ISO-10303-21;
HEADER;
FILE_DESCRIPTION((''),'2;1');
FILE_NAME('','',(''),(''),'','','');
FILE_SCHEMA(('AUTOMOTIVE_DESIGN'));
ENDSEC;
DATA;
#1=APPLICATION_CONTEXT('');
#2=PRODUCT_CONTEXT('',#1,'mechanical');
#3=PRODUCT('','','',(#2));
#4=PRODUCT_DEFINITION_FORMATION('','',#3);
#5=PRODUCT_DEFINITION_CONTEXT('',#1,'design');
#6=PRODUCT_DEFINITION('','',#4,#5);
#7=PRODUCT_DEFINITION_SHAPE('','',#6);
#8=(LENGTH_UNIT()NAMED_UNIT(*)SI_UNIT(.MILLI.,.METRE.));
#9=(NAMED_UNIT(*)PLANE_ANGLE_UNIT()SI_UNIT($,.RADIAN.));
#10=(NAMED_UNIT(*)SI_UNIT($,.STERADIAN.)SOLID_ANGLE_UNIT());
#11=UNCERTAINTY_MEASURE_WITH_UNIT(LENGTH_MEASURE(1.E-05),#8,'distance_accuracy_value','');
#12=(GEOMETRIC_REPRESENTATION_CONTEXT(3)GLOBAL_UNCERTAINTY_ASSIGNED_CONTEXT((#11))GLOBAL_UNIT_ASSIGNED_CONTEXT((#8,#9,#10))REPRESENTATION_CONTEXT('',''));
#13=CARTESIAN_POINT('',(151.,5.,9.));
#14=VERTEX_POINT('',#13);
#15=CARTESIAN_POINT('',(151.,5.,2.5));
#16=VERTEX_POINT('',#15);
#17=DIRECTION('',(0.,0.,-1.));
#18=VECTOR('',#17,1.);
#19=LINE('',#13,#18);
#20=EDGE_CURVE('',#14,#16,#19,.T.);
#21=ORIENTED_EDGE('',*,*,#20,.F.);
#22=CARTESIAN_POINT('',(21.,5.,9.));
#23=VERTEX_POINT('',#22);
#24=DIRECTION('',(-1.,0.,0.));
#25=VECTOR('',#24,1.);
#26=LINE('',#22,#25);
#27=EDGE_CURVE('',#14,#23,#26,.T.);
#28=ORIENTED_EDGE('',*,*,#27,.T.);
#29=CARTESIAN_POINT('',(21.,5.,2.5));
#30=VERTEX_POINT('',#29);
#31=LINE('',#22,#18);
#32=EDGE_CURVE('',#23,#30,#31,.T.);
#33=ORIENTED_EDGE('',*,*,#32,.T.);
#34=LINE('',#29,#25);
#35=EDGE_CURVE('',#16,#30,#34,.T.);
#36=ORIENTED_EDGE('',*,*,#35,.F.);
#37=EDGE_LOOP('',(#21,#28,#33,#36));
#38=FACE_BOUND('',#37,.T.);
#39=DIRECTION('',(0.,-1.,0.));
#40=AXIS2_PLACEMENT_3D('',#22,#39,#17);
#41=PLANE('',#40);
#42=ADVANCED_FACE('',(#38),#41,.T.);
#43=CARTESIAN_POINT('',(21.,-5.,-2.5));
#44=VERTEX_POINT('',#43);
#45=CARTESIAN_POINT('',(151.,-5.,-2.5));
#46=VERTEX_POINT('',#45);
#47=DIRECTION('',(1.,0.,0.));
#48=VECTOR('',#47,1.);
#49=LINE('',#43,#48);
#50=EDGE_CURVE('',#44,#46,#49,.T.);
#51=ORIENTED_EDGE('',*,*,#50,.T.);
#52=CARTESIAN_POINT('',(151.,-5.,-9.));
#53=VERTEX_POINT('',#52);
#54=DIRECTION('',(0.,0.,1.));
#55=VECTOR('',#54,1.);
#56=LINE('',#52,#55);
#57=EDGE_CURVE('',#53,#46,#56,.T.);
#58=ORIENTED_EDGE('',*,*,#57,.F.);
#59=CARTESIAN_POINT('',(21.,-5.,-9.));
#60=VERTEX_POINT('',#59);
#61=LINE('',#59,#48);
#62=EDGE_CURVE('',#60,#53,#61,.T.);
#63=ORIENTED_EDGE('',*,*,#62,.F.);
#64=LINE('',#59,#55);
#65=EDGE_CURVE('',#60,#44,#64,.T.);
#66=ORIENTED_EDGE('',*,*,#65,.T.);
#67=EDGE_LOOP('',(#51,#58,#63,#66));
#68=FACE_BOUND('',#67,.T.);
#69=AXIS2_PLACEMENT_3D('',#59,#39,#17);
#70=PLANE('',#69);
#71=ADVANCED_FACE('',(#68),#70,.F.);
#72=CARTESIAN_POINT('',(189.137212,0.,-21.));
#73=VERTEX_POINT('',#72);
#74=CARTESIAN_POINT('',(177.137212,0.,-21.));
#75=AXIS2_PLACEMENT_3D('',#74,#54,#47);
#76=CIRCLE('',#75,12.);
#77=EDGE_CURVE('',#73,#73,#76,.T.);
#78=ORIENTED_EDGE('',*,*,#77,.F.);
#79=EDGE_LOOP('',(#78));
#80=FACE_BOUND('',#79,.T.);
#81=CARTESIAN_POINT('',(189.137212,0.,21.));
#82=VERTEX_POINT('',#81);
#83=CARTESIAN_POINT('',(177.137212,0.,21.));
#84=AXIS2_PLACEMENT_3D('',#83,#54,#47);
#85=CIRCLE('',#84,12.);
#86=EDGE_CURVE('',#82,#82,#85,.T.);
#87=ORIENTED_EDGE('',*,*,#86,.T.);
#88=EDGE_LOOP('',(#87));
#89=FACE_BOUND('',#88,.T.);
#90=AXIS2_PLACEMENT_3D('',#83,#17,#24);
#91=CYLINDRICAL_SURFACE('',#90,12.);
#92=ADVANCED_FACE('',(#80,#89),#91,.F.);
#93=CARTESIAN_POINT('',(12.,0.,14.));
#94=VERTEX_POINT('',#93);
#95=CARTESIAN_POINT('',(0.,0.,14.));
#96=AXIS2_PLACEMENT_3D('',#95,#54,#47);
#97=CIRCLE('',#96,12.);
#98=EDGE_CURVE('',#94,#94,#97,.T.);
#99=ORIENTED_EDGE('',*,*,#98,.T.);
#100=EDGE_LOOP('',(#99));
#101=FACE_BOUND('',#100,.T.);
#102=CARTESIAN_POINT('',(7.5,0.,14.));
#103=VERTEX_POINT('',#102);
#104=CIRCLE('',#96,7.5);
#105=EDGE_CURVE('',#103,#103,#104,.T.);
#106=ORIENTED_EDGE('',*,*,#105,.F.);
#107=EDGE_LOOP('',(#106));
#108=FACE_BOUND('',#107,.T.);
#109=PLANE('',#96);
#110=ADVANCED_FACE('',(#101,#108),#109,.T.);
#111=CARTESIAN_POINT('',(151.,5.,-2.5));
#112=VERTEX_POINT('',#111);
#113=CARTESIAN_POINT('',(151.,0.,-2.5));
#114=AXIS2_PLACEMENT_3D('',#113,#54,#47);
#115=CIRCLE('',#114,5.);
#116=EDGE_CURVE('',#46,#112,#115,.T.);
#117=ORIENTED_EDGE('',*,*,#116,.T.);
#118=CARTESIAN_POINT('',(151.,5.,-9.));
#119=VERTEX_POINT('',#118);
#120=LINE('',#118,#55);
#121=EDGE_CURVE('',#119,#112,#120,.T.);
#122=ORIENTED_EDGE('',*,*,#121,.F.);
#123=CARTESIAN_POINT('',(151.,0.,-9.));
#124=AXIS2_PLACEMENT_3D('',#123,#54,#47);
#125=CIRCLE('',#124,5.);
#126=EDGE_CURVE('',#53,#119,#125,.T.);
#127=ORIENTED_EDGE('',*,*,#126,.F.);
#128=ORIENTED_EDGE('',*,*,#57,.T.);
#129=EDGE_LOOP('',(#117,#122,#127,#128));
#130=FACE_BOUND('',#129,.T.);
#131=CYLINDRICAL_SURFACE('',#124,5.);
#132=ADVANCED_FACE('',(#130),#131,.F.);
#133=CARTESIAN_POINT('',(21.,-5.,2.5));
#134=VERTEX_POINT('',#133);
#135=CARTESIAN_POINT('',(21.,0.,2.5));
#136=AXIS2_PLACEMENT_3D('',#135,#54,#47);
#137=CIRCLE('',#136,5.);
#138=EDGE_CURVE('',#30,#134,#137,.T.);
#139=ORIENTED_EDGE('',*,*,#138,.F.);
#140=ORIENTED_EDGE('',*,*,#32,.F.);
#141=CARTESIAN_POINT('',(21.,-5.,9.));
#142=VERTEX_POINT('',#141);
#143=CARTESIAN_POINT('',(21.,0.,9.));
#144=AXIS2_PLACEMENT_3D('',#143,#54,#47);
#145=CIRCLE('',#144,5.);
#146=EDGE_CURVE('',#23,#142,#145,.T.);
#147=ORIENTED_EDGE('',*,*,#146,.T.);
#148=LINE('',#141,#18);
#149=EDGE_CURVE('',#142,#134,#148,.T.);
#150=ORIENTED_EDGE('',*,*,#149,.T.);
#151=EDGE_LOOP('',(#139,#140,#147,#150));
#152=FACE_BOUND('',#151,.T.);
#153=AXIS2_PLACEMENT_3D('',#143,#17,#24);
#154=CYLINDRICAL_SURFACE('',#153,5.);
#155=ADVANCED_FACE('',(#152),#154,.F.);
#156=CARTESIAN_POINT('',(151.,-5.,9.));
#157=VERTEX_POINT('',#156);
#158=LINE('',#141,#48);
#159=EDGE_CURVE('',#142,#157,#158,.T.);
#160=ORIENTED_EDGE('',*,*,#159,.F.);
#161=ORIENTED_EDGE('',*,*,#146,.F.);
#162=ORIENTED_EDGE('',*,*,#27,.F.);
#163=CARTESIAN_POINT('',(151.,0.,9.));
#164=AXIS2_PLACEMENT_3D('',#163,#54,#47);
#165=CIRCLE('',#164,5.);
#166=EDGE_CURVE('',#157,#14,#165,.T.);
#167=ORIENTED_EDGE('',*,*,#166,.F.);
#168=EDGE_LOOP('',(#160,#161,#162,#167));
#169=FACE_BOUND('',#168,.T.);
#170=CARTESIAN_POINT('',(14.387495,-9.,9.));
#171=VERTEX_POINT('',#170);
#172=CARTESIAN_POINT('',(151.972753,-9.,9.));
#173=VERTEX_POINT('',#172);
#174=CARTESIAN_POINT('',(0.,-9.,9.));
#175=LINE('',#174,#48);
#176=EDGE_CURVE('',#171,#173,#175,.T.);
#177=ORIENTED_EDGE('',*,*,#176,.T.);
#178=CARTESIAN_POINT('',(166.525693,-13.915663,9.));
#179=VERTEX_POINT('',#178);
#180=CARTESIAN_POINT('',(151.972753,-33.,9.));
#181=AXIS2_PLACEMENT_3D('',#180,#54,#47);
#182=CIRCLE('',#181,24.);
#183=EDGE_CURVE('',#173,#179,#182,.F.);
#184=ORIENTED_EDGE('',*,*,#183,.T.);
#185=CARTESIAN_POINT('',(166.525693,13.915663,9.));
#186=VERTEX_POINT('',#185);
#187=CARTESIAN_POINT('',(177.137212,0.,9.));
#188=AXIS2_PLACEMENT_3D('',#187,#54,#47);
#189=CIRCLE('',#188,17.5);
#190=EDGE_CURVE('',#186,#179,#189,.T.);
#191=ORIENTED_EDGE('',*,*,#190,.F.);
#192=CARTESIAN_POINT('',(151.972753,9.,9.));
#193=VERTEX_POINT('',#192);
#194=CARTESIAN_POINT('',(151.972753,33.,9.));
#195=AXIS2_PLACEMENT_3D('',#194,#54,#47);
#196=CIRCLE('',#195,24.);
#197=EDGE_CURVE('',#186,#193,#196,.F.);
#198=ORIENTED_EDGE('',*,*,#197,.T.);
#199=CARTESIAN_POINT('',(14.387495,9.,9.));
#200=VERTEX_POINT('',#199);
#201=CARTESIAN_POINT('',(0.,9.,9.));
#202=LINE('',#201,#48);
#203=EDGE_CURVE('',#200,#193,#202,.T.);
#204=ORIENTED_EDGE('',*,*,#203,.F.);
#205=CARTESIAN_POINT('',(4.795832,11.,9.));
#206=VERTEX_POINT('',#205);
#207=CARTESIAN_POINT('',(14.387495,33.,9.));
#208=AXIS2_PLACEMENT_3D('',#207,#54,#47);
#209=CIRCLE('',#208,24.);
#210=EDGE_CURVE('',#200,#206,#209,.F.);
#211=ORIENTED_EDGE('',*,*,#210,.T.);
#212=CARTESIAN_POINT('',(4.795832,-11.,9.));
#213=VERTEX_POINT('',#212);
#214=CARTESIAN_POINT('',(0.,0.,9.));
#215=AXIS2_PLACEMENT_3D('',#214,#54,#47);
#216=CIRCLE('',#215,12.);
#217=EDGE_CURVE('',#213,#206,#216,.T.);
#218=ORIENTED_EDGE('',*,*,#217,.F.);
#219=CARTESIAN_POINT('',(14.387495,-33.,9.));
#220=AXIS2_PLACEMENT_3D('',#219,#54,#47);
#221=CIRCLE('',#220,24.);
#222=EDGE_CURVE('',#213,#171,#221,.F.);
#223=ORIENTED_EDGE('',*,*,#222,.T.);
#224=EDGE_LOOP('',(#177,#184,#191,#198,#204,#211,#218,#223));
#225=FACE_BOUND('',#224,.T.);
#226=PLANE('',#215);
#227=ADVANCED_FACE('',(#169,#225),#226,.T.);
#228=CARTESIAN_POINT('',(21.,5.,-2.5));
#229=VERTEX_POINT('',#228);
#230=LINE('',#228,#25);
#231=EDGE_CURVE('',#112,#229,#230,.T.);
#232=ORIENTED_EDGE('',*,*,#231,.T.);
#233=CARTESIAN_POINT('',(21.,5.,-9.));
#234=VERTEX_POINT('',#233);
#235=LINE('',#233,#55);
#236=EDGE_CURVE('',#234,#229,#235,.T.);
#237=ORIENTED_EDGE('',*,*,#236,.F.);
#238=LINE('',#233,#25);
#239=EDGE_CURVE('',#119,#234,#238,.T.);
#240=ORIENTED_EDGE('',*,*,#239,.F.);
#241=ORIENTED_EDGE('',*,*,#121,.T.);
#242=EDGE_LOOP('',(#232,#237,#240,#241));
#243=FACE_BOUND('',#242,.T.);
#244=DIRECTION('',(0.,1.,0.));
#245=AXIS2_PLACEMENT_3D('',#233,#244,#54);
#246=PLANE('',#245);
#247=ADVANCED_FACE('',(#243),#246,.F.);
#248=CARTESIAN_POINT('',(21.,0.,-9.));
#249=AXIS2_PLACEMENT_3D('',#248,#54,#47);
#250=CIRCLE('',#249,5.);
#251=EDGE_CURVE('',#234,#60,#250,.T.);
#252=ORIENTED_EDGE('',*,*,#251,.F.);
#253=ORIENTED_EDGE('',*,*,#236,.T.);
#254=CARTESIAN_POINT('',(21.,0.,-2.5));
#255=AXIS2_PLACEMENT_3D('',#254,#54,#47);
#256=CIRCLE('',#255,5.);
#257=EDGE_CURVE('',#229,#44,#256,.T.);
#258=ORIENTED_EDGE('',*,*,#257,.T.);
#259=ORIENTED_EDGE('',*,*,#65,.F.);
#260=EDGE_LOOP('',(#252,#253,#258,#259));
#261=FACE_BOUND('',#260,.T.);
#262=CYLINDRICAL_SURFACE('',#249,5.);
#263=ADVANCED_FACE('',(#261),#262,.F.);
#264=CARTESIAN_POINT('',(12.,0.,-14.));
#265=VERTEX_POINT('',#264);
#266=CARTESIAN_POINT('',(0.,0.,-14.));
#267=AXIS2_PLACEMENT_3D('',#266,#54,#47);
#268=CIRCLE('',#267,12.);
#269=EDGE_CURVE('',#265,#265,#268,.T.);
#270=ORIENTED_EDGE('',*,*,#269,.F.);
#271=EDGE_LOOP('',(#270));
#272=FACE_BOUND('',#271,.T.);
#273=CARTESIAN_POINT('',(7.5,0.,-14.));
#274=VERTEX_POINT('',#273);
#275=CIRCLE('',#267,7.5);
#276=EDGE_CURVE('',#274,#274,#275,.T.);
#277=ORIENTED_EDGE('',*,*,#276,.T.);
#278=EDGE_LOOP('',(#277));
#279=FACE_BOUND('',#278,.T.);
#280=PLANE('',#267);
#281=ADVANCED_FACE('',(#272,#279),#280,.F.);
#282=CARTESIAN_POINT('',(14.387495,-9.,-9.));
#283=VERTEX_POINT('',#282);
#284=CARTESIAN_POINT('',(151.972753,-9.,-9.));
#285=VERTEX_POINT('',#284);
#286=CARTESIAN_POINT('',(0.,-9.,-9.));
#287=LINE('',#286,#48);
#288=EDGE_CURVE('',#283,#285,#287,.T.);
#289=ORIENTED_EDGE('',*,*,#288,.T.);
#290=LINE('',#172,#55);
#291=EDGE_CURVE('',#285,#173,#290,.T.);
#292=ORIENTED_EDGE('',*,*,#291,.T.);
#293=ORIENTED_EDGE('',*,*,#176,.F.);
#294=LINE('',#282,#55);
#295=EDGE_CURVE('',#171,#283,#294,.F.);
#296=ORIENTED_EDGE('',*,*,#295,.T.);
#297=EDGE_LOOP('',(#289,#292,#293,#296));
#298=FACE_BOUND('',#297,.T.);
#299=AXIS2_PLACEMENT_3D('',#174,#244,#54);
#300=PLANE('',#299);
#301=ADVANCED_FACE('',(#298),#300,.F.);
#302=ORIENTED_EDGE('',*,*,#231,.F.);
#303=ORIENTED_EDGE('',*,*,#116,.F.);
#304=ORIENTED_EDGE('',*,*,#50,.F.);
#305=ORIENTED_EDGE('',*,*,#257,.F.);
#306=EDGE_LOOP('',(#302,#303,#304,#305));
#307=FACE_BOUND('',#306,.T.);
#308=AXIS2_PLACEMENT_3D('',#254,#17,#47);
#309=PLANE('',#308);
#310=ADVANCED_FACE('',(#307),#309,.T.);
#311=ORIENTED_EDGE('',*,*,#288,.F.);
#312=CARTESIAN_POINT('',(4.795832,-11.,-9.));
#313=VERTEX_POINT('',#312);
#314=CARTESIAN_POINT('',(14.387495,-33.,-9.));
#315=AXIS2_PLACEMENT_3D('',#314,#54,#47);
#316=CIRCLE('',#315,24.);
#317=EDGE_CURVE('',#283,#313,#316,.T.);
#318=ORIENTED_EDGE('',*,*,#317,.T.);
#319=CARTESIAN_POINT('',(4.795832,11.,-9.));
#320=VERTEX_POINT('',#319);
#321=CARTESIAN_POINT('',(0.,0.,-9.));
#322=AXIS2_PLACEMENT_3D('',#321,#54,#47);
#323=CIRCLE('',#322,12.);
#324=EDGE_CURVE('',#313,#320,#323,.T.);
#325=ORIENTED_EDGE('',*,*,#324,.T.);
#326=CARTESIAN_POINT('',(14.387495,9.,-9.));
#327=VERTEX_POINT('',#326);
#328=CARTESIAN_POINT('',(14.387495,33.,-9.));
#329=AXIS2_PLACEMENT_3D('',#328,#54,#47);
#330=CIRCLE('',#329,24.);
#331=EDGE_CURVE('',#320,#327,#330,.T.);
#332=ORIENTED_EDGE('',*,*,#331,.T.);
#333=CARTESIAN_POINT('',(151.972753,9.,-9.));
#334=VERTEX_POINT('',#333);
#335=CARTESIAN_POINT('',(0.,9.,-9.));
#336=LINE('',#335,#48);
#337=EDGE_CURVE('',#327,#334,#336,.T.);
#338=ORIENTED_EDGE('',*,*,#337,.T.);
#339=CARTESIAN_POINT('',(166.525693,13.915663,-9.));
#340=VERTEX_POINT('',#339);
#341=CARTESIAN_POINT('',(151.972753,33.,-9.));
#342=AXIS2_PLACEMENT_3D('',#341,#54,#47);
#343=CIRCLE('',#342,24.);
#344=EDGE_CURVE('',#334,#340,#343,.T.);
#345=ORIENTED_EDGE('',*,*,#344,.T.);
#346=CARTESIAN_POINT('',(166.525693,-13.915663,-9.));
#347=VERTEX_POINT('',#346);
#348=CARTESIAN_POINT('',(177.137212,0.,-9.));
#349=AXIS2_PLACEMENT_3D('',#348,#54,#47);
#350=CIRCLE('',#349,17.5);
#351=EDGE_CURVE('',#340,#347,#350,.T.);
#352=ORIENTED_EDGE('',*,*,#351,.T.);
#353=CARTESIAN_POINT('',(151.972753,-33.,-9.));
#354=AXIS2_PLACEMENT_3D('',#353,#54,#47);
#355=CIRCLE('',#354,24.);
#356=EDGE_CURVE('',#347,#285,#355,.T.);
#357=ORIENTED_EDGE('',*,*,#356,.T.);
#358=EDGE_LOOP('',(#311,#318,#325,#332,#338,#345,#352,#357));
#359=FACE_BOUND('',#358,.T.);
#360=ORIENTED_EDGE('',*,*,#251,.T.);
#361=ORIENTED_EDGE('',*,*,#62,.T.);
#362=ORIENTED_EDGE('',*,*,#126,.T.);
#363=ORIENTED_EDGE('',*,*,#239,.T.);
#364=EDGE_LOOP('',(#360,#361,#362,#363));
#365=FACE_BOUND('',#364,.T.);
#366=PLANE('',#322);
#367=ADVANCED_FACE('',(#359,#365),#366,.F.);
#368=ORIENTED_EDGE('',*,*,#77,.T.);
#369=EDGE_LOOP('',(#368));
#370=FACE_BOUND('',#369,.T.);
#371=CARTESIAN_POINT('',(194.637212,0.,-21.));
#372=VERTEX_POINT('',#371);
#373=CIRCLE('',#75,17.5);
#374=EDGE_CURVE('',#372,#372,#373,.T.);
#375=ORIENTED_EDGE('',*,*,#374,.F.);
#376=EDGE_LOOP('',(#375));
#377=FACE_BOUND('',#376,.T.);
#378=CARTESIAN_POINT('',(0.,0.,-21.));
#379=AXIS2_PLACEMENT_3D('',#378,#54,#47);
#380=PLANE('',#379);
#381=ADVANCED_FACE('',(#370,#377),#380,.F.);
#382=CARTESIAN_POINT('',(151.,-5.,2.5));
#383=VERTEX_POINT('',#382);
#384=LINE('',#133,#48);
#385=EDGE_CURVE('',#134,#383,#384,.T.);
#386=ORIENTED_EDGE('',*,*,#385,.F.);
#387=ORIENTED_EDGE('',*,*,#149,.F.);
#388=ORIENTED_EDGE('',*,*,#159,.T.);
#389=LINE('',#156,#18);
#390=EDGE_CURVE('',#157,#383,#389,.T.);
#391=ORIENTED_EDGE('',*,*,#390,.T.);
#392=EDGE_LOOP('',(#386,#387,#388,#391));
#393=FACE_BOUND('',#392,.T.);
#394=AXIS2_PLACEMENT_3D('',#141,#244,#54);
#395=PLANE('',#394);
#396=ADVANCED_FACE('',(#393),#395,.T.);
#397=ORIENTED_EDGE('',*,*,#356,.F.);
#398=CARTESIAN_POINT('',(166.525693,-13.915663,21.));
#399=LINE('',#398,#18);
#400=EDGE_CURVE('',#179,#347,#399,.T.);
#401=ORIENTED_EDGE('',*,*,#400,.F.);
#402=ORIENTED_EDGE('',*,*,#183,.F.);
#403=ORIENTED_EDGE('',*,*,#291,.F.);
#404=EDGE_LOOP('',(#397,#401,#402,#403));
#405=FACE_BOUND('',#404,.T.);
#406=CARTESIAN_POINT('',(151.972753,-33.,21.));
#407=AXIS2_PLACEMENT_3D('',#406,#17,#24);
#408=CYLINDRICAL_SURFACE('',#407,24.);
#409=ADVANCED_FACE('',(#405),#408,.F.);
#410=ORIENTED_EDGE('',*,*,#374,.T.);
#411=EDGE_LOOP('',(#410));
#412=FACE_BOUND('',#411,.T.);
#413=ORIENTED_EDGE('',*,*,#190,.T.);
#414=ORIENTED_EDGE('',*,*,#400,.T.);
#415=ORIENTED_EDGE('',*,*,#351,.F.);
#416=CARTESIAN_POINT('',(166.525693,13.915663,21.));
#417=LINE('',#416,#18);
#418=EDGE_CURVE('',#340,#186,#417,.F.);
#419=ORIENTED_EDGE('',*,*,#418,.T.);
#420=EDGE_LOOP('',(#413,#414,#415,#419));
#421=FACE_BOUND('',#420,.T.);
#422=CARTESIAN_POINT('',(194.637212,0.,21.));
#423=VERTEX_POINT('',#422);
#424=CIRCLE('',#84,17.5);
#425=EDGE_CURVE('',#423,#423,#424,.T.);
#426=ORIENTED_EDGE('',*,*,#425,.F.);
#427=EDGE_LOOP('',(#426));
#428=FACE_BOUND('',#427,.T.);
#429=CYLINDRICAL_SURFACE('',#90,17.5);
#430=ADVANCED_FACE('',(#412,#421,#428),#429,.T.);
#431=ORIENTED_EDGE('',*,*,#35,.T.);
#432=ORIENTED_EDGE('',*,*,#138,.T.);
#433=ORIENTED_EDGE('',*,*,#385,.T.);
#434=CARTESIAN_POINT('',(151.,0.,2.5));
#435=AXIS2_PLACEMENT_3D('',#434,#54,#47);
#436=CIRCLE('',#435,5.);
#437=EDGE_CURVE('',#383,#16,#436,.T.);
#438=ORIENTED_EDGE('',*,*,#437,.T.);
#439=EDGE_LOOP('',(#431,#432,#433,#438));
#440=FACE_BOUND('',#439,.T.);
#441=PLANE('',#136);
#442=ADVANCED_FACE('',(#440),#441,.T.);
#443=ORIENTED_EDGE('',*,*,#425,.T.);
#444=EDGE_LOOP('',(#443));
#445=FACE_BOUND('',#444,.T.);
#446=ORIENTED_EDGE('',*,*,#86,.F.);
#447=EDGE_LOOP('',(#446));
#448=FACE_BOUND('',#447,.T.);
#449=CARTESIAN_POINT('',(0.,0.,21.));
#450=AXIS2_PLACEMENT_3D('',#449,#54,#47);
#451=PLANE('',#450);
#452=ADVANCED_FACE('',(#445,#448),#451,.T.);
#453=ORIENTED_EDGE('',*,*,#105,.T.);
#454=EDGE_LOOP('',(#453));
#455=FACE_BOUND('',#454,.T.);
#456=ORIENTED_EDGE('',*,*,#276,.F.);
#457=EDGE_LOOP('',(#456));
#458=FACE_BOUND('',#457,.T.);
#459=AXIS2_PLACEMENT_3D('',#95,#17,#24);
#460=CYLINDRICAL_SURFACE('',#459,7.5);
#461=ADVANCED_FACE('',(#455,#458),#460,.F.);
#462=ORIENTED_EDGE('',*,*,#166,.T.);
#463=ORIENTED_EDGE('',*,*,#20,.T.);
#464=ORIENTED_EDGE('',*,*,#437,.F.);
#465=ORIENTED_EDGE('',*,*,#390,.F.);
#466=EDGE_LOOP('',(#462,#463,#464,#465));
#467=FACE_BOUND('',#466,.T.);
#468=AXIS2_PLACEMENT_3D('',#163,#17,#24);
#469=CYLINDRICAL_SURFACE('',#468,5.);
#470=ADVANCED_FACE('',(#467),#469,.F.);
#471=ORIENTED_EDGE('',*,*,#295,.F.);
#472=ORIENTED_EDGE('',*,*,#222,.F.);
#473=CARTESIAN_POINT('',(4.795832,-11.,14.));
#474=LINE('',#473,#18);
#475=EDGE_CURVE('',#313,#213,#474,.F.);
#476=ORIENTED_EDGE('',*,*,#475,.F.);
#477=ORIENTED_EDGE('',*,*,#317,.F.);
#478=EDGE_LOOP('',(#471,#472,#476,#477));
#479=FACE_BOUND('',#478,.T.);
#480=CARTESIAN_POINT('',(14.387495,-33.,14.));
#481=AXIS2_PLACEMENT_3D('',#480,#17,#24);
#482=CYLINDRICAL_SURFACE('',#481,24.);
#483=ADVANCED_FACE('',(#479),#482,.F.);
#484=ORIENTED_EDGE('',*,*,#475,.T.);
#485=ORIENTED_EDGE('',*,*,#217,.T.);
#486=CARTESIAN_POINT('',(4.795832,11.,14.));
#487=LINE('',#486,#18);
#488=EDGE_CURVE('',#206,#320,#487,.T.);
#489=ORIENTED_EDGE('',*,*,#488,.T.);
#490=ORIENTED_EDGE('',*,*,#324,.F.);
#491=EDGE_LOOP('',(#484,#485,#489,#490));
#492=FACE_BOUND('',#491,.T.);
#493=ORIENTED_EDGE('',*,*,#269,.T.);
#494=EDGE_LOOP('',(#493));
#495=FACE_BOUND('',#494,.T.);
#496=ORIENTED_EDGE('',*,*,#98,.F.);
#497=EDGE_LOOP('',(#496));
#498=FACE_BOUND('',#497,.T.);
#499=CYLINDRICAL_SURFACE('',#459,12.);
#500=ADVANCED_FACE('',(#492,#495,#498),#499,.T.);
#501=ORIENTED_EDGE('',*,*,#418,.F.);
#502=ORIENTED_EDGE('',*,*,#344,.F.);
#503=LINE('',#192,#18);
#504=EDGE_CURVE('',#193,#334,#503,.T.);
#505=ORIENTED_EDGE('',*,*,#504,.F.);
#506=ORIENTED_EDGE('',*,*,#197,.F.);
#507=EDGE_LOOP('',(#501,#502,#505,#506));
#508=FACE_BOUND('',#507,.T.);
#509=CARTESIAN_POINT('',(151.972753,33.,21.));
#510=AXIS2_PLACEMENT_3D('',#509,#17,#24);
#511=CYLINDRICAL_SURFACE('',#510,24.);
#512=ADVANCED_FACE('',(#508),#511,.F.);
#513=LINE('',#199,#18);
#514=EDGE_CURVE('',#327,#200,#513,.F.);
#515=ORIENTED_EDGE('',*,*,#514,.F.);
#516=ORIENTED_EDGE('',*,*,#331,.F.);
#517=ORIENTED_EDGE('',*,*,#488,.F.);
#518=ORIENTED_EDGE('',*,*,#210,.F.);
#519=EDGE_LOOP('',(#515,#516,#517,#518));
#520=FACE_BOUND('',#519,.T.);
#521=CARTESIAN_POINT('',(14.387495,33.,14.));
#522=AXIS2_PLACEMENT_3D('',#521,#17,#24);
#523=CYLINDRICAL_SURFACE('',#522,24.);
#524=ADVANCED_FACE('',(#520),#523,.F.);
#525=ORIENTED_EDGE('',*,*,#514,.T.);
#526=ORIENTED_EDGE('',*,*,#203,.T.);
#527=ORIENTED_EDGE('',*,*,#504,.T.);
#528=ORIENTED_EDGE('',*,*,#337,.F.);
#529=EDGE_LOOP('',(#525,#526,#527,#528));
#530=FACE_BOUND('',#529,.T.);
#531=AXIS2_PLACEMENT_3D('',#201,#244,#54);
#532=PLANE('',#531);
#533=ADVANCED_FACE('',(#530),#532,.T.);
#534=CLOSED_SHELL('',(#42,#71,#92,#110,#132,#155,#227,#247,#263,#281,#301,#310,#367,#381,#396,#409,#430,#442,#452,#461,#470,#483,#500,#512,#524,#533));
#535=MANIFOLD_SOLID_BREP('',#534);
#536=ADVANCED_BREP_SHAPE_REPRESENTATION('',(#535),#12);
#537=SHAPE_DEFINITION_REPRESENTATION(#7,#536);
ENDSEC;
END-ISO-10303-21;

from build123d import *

# Parameters (mm, degrees)
SKETCH1_R           = 12
SKETCH1_R_2         = 7.5
BOSS_EXTRUDE1_DEPTH = 14
SKETCH1_5_R         = 17.5
SKETCH1_5_R_2       = 12
BOSS_EXTRUDE3_DEPTH = 21
BOSS_EXTRUDE4_DEPTH = 9
CUT_EXTRUDE3_START  = 2.5
CUT_EXTRUDE3_DEPTH  = 6.5
FILLET1_R           = 24


with BuildPart() as part:
    # Sketch1 → Boss-Extrude1 (new body, symmetric)
    with BuildSketch(Plane.XY):
        Circle(SKETCH1_R)
        Circle(SKETCH1_R_2, mode=Mode.SUBTRACT)
    extrude(amount=BOSS_EXTRUDE1_DEPTH, both=True)



with BuildPart() as body_2:
    # Sketch1<5> → Boss-Extrude3 (new body, symmetric)
    with BuildSketch(Plane.XY):
        with Locations((177.137212096, 0)):
            Circle(SKETCH1_5_R)
        with Locations((177.137212096, 0)):
            Circle(SKETCH1_5_R_2, mode=Mode.SUBTRACT)
    extrude(amount=BOSS_EXTRUDE3_DEPTH, both=True)


with BuildPart() as part_1:
    add(part.part)

    add(body_2.part)  # Boss-Extrude4 merges body 2
    # Sketch1<6> → Boss-Extrude4 (add, symmetric)
    with BuildSketch(Plane.XY):
        with BuildLine():
            Line((162.128881076, 9), (7.937253933, 9))
            ThreePointArc((7.937253933, 9), (10.937253933, 4.937253933), (12, 0))
            ThreePointArc((12, 0), (10.937253933, -4.937253933), (7.937253933, -9))
            Line((7.937253933, -9), (162.128881076, -9))
            ThreePointArc((162.128881076, -9), (159.637212096, 0), (162.128881076, 9))
        make_face()
    extrude(amount=BOSS_EXTRUDE4_DEPTH, both=True)

    # Sketch2 → Cut-Extrude3 (cut)
    with BuildSketch(Plane.XY.offset(CUT_EXTRUDE3_START)):
        with BuildLine():
            Line((21, 5), (151, 5))
            ThreePointArc((151, 5), (156, 0), (151, -5))
            Line((151, -5), (21, -5))
            ThreePointArc((21, -5), (16, 0), (21, 5))
        make_face()
    cut_extrude3 = extrude(amount=CUT_EXTRUDE3_DEPTH, mode=Mode.SUBTRACT)

    # Mirror1: Cut-Extrude3 across plane
    add(cut_extrude3.mirror(Plane.XY), mode=Mode.SUBTRACT)

    # Fillet1
    fillet1_edges = [part_1.edges().sort_by_distance(p)[0] for p in [
        (7.937253933, 9, 0),
        (7.937253933, -9, 0),
        (162.128881076, -9, 0),
        (162.128881076, 9, 0),
    ]]
    fillet(fillet1_edges, radius=FILLET1_R)


solid = part_1.part
